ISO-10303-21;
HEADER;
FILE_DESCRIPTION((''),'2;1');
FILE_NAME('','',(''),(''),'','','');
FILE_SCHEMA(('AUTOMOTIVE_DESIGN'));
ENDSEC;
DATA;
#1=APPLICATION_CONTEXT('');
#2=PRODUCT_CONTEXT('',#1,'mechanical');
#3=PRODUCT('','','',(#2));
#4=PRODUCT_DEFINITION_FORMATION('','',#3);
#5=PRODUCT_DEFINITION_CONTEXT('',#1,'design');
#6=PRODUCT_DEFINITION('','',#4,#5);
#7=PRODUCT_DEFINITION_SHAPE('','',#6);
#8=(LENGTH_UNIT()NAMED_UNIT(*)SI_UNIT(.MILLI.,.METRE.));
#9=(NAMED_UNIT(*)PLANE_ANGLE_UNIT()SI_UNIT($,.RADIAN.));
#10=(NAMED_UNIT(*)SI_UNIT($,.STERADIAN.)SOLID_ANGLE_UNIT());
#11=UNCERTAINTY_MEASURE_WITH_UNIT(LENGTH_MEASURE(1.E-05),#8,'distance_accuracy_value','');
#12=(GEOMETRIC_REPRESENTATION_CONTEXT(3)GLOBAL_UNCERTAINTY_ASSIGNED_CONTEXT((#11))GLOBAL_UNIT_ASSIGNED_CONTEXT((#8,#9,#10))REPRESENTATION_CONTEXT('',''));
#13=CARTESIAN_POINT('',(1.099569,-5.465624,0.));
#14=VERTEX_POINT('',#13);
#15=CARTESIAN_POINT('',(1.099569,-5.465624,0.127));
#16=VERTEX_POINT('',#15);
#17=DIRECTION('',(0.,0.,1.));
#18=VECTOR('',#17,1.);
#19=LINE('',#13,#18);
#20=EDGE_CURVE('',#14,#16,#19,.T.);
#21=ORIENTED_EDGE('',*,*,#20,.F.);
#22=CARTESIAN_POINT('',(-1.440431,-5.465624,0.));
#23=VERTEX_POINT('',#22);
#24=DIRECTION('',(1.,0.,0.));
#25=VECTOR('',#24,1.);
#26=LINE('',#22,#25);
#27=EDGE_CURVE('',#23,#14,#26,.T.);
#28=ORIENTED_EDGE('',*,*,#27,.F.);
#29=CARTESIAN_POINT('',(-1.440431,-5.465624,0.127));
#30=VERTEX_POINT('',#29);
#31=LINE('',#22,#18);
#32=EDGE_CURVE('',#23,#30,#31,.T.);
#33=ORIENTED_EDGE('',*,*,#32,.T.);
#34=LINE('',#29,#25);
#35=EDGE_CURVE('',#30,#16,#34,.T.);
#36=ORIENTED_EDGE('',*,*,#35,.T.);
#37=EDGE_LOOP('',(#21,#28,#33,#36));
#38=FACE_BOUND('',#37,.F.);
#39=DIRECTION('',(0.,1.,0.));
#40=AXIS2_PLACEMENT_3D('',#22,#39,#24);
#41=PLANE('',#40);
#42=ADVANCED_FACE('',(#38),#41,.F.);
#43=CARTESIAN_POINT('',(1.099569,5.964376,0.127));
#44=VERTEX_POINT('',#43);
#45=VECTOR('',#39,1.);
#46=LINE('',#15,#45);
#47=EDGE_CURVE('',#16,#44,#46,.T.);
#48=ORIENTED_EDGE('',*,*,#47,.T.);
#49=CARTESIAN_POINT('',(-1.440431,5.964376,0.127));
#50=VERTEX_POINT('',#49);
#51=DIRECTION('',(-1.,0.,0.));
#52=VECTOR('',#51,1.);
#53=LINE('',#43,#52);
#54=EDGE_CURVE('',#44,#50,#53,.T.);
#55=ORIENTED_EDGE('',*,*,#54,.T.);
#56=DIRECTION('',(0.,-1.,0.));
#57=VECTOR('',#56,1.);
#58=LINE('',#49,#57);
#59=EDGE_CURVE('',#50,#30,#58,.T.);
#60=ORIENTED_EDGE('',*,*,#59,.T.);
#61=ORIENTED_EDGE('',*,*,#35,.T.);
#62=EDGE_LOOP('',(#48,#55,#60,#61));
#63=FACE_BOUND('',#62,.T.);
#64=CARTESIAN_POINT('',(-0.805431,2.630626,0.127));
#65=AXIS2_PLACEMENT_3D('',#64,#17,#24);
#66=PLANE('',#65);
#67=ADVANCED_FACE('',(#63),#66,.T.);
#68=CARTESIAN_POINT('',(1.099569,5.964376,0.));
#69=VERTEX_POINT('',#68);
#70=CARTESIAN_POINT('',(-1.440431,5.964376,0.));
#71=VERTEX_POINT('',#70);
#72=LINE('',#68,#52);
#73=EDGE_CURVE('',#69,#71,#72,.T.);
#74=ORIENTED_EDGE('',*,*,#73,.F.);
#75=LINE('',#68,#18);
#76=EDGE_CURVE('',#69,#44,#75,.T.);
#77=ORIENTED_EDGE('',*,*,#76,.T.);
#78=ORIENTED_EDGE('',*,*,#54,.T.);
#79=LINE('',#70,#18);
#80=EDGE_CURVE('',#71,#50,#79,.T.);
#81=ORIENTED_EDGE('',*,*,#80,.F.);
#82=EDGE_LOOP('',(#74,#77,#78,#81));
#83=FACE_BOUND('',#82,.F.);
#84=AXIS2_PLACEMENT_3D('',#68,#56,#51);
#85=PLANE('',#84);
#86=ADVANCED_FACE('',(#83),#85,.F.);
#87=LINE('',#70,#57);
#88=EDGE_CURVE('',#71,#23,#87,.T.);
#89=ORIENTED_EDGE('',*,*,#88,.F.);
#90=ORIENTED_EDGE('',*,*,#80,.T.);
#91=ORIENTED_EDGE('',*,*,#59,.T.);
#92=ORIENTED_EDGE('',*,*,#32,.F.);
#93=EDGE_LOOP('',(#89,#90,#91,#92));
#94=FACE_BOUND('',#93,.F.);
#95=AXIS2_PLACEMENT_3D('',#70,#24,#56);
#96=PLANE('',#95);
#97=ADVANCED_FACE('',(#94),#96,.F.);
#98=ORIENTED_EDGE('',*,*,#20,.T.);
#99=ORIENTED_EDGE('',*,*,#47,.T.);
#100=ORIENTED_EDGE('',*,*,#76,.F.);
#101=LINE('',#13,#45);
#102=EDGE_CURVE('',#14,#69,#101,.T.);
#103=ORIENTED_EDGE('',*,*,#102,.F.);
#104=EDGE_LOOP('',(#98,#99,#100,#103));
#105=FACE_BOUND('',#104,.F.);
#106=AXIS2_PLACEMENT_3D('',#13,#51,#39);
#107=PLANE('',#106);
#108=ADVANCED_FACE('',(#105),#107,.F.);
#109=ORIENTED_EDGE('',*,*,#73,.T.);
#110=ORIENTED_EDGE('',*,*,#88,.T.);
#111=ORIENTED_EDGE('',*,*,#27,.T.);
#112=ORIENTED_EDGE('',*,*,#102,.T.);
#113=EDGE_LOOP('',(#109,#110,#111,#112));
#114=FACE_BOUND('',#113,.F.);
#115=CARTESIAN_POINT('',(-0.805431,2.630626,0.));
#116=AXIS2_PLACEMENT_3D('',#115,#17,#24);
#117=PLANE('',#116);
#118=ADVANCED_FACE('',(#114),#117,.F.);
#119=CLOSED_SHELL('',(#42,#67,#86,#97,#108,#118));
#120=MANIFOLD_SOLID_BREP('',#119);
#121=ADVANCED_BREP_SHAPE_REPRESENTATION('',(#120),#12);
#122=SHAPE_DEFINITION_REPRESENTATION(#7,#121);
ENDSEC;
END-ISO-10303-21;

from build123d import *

# Parameters (mm, degrees)
F0_W     = 1.27
F0_H     = 0.9525
F1_DEPTH = 0.127


with BuildPart() as f1:
    # F0 (on Top) → F1 (new body)
    with BuildSketch(Plane.XY):
        with Locations((-0.805431, 2.630626)):
            Rectangle(F0_W, F0_H)
        with Locations((-0.805431, 1.678126)):
            Rectangle(F0_W, F0_H)
        with Locations((0.464569, 2.630626)):
            Rectangle(F0_W, F0_H)
        with Locations((0.464569, 1.678126)):
            Rectangle(F0_W, F0_H)
        with Locations((-0.805431, 0.725626)):
            Rectangle(F0_W, F0_H)
        with Locations((-0.805431, 3.583126)):
            Rectangle(F0_W, F0_H)
        with Locations((0.464569, 3.583126)):
            Rectangle(F0_W, F0_H)
        with Locations((0.464569, 0.725626)):
            Rectangle(F0_W, F0_H)
        with Locations((-0.805431, -0.226874)):
            Rectangle(F0_W, F0_H)
        with Locations((-0.805431, 4.535626)):
            Rectangle(F0_W, F0_H)
        with Locations((0.464569, 4.535626)):
            Rectangle(F0_W, F0_H)
        with Locations((0.464569, -0.226874)):
            Rectangle(F0_W, F0_H)
        with Locations((-0.805431, -1.179374)):
            Rectangle(F0_W, F0_H)
        with Locations((-0.805431, 5.488126)):
            Rectangle(F0_W, F0_H)
        with Locations((0.464569, 5.488126)):
            Rectangle(F0_W, F0_H)
        with Locations((0.464569, -1.179374)):
            Rectangle(F0_W, F0_H)
        with Locations((-0.805431, -2.131874)):
            Rectangle(F0_W, F0_H)
        with Locations((0.464569, -2.131874)):
            Rectangle(F0_W, F0_H)
        with Locations((-0.805431, -3.084374)):
            Rectangle(F0_W, F0_H)
        with Locations((0.464569, -3.084374)):
            Rectangle(F0_W, F0_H)
        with Locations((-0.805431, -4.036874)):
            Rectangle(F0_W, F0_H)
        with Locations((0.464569, -4.036874)):
            Rectangle(F0_W, F0_H)
        with Locations((-0.805431, -4.989374)):
            Rectangle(F0_W, F0_H)
        with Locations((0.464569, -4.989374)):
            Rectangle(F0_W, F0_H)
    extrude(amount=F1_DEPTH)


solid = f1.part
